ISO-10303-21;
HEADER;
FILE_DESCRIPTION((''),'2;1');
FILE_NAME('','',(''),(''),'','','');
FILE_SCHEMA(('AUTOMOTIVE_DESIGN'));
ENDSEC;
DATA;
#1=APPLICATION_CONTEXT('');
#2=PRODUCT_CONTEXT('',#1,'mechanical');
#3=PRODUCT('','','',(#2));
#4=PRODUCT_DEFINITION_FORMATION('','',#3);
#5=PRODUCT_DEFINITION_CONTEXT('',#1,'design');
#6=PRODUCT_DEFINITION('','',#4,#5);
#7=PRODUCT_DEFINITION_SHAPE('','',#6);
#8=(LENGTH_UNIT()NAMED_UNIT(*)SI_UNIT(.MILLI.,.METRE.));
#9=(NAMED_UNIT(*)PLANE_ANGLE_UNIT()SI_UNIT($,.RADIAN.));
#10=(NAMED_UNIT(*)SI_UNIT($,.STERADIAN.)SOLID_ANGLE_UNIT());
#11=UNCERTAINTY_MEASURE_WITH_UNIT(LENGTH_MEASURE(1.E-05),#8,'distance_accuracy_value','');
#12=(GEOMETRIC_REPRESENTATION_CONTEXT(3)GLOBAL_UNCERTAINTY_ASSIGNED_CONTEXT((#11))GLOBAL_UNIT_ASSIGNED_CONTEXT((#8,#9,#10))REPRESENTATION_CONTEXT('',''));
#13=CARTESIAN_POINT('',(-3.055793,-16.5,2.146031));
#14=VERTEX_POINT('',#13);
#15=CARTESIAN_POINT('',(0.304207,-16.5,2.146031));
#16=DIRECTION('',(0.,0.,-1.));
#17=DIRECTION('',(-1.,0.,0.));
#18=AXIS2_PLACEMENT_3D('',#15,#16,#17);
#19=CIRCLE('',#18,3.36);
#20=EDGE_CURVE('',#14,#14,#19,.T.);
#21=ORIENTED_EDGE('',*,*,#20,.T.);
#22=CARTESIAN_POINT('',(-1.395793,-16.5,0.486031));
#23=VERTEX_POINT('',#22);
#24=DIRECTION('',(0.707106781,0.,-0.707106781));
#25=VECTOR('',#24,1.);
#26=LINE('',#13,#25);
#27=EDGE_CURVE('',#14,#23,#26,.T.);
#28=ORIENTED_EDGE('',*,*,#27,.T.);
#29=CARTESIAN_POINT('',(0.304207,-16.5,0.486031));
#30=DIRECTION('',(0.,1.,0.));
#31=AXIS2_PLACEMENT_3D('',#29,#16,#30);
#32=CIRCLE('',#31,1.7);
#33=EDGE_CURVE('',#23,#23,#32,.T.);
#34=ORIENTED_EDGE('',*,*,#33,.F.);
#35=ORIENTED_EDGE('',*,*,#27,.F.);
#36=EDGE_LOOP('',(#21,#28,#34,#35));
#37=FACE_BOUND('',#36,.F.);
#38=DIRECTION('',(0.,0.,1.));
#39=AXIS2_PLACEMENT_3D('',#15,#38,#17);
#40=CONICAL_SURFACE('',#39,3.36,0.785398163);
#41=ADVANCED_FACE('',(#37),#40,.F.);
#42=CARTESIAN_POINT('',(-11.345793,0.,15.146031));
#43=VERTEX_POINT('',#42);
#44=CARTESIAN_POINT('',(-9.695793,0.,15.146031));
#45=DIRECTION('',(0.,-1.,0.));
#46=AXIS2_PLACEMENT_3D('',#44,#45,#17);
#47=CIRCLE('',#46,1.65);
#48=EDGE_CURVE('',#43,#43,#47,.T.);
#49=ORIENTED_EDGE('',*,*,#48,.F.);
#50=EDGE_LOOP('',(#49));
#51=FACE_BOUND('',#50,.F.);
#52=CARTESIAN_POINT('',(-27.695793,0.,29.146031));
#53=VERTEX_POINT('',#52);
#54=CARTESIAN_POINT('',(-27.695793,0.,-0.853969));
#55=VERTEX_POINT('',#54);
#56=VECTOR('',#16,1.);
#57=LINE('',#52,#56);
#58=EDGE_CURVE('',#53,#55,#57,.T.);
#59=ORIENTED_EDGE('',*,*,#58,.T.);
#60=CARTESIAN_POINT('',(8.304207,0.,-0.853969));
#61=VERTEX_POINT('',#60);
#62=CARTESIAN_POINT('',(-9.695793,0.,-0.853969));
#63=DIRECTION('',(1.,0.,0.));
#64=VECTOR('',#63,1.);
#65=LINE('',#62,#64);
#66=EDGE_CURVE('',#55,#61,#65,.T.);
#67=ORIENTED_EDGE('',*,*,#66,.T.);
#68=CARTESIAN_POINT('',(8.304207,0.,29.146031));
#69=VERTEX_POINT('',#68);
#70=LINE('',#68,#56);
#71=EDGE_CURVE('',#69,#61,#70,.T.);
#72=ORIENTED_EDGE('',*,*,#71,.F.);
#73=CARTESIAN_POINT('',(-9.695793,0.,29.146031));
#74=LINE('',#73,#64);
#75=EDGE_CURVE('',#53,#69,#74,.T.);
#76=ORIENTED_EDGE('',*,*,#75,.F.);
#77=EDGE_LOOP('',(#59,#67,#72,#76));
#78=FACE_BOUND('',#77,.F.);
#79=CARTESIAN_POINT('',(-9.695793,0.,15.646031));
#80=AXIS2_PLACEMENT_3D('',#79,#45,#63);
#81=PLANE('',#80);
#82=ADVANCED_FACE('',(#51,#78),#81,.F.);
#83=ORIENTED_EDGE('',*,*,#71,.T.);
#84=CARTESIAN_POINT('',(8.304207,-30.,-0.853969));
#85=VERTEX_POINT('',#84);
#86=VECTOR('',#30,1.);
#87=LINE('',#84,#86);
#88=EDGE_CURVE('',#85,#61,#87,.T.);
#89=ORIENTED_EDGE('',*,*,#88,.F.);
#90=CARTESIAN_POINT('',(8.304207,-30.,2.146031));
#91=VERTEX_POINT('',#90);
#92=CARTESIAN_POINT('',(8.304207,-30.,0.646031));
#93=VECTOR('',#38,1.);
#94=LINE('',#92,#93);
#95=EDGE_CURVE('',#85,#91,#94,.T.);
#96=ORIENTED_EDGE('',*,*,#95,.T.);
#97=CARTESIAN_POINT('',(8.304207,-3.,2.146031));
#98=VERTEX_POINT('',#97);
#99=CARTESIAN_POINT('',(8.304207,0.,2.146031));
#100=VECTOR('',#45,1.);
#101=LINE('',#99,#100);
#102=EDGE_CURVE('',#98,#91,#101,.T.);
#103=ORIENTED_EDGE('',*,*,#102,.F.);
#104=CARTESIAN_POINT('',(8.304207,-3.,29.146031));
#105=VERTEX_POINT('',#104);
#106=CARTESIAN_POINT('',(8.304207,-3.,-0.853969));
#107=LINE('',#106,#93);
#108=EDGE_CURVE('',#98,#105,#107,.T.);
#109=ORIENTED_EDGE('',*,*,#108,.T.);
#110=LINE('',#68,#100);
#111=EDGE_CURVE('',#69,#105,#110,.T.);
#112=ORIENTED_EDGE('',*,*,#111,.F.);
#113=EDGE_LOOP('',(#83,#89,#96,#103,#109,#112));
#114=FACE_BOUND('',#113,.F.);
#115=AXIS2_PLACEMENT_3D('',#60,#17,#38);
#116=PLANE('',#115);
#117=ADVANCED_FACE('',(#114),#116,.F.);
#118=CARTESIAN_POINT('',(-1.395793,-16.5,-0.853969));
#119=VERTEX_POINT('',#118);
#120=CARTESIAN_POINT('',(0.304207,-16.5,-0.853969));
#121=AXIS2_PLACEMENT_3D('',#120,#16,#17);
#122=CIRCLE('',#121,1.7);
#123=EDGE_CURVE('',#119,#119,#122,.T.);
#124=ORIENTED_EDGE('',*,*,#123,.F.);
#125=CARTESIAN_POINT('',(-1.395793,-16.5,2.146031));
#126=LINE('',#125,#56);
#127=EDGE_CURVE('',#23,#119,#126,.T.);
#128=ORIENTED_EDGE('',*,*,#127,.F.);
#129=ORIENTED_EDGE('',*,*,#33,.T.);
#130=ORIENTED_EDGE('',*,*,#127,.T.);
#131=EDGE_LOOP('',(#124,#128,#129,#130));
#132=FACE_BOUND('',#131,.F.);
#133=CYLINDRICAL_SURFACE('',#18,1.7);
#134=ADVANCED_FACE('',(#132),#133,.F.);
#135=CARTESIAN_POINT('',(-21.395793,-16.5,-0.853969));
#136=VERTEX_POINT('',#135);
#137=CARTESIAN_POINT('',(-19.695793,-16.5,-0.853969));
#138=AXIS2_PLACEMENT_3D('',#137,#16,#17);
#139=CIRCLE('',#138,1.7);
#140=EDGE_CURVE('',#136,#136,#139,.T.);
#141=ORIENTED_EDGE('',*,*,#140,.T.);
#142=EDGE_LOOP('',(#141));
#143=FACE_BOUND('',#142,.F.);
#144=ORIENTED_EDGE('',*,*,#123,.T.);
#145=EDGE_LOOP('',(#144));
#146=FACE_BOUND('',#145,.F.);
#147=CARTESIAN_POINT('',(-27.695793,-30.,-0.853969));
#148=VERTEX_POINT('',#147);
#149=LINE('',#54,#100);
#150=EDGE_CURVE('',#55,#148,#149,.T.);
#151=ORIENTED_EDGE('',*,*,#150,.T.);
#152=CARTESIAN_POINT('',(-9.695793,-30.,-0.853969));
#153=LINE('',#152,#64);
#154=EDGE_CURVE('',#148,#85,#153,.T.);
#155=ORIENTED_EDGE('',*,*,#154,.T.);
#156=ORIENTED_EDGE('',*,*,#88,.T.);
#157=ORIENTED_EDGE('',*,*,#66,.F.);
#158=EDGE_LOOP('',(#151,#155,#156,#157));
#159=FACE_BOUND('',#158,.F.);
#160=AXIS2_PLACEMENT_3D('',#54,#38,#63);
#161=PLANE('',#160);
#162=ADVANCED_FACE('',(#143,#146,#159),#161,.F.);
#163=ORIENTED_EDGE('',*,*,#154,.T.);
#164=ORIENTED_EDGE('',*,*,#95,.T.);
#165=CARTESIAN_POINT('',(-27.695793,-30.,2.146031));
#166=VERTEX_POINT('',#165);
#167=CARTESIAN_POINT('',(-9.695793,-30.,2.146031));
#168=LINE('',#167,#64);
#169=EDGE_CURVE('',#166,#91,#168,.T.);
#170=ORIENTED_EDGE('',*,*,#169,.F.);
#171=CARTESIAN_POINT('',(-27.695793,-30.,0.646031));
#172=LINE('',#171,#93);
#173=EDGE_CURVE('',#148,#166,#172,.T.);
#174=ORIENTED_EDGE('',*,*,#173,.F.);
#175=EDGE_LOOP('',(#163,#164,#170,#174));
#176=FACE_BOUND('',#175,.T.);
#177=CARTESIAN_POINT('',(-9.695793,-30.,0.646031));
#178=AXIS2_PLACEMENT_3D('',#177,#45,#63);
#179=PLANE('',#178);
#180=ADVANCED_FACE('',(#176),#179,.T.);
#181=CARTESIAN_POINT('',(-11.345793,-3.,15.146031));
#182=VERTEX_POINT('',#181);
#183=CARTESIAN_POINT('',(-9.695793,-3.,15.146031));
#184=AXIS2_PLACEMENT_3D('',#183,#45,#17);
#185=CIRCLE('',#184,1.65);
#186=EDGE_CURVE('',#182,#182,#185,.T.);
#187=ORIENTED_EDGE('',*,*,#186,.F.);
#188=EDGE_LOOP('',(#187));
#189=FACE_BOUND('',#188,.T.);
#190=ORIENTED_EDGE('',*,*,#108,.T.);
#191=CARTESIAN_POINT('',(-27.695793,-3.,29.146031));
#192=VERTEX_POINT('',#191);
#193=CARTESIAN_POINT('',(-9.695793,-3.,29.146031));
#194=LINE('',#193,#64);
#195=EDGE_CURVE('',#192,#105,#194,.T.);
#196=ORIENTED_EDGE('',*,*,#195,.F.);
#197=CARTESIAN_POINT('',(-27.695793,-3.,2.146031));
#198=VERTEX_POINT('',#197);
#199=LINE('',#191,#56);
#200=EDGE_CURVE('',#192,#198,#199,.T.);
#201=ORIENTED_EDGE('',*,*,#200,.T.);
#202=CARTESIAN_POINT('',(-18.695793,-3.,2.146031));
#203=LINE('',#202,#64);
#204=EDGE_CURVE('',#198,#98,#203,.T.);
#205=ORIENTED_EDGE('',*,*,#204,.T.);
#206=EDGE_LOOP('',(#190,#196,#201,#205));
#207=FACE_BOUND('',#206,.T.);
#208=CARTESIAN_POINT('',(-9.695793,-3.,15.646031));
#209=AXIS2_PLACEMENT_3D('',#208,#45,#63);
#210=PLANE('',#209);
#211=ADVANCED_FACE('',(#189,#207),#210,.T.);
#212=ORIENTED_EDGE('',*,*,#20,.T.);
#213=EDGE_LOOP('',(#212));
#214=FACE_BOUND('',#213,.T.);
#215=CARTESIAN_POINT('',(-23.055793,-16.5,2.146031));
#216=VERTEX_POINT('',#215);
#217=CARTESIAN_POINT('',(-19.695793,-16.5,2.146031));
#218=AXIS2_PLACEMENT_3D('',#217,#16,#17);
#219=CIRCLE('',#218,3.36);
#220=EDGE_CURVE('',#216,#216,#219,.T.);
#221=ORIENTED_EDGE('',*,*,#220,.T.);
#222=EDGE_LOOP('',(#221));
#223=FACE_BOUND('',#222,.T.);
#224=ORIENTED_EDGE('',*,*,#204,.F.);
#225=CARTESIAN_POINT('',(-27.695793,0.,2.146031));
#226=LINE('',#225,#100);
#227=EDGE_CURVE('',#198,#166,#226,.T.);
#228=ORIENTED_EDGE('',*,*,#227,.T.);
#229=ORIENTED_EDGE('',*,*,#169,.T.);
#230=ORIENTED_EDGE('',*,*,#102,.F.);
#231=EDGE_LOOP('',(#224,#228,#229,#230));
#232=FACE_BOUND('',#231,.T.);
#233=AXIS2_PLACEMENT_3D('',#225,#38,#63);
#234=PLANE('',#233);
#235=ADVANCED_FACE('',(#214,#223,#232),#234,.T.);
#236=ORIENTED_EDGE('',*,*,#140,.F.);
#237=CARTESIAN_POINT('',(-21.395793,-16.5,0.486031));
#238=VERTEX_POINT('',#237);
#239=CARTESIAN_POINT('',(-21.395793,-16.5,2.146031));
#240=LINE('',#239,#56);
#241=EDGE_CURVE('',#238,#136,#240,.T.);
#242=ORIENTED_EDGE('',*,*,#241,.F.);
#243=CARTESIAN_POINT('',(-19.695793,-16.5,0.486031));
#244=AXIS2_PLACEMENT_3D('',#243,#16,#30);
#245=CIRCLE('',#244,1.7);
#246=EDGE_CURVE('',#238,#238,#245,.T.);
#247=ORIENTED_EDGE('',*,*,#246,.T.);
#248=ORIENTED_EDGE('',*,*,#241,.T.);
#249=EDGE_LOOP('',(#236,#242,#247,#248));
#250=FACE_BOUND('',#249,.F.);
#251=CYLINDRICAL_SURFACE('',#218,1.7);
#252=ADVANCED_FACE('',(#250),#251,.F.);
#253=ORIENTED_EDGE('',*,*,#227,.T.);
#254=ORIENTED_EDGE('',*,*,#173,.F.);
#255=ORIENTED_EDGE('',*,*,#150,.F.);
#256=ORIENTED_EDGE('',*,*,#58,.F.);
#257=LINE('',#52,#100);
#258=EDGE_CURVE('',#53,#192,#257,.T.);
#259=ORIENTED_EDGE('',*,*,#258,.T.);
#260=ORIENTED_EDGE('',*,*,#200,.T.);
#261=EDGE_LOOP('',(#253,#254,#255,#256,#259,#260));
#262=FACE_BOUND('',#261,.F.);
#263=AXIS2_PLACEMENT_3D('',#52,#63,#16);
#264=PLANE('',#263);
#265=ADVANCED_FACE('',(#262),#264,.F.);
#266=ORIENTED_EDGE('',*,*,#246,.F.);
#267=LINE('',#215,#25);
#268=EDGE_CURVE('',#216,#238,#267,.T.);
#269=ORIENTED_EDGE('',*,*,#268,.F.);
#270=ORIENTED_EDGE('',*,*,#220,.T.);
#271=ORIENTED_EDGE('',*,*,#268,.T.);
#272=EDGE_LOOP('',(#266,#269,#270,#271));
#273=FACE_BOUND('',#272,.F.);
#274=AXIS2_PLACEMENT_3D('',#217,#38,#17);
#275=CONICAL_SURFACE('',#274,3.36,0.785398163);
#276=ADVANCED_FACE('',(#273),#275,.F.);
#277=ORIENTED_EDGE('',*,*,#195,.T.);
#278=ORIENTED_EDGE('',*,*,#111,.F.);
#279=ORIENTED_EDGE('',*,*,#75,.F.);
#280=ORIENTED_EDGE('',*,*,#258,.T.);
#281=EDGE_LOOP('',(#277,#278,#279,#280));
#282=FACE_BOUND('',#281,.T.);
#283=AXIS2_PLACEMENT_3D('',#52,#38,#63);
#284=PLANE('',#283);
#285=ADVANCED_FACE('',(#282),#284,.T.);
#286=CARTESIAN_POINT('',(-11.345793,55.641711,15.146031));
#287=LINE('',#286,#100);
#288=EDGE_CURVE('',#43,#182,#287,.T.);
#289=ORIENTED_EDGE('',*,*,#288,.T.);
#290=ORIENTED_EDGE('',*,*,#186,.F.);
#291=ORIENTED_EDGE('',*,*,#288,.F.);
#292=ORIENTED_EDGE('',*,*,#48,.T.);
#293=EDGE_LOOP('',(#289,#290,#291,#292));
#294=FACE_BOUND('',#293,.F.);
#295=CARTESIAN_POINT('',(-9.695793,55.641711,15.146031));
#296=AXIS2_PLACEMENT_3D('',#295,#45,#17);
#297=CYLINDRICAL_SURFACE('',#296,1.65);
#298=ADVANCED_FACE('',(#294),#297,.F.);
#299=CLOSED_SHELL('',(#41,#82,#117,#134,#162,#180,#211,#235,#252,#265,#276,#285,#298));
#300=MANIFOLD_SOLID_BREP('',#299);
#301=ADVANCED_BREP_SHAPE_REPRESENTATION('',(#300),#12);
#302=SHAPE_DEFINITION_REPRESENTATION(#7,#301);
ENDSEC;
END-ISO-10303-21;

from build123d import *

# Parameters (mm, degrees)
F0_W           = 36
F0_H           = 3
F1_DEPTH       = 30
F0_H_2         = 27
F2_DEPTH       = 3
F4_D           = 3.4
F4_CSINK_D     = 6.72
F4_CSINK_ANGLE = 90
F5_D           = 3.3


with BuildPart() as f1:
    # F0 (on Front) → F1 (new body)
    with BuildSketch(Plane.XZ):
        with Locations((-9.6957933456, 0.646031009)):
            Rectangle(F0_W, F0_H)
    extrude(amount=F1_DEPTH)

    # F0 (on Front) → F2 (join)
    with BuildSketch(Plane.XZ):
        with Locations((-9.6957933456, 15.646031009)):
            Rectangle(F0_W, F0_H_2)
        with Locations((-9.6957933456, 0.646031009)):
            Rectangle(F0_W, F0_H)
    extrude(amount=F2_DEPTH)

    # F4 (through all)
    with Locations(Plane.XY.offset(2.146031009)):
        with Locations((-19.6957933456, -16.5), (0.3042066544, -16.5)):
            CounterSinkHole(F4_D / 2, F4_CSINK_D / 2, counter_sink_angle=F4_CSINK_ANGLE)

    # F5 (through all)
    with Locations(Plane(origin=(0, 0, 0), x_dir=(1, 0, 0), z_dir=(0, 1, 0))):
        with Locations((-9.6957933456, -15.146031009)):
            Hole(F5_D / 2)


solid = f1.part
